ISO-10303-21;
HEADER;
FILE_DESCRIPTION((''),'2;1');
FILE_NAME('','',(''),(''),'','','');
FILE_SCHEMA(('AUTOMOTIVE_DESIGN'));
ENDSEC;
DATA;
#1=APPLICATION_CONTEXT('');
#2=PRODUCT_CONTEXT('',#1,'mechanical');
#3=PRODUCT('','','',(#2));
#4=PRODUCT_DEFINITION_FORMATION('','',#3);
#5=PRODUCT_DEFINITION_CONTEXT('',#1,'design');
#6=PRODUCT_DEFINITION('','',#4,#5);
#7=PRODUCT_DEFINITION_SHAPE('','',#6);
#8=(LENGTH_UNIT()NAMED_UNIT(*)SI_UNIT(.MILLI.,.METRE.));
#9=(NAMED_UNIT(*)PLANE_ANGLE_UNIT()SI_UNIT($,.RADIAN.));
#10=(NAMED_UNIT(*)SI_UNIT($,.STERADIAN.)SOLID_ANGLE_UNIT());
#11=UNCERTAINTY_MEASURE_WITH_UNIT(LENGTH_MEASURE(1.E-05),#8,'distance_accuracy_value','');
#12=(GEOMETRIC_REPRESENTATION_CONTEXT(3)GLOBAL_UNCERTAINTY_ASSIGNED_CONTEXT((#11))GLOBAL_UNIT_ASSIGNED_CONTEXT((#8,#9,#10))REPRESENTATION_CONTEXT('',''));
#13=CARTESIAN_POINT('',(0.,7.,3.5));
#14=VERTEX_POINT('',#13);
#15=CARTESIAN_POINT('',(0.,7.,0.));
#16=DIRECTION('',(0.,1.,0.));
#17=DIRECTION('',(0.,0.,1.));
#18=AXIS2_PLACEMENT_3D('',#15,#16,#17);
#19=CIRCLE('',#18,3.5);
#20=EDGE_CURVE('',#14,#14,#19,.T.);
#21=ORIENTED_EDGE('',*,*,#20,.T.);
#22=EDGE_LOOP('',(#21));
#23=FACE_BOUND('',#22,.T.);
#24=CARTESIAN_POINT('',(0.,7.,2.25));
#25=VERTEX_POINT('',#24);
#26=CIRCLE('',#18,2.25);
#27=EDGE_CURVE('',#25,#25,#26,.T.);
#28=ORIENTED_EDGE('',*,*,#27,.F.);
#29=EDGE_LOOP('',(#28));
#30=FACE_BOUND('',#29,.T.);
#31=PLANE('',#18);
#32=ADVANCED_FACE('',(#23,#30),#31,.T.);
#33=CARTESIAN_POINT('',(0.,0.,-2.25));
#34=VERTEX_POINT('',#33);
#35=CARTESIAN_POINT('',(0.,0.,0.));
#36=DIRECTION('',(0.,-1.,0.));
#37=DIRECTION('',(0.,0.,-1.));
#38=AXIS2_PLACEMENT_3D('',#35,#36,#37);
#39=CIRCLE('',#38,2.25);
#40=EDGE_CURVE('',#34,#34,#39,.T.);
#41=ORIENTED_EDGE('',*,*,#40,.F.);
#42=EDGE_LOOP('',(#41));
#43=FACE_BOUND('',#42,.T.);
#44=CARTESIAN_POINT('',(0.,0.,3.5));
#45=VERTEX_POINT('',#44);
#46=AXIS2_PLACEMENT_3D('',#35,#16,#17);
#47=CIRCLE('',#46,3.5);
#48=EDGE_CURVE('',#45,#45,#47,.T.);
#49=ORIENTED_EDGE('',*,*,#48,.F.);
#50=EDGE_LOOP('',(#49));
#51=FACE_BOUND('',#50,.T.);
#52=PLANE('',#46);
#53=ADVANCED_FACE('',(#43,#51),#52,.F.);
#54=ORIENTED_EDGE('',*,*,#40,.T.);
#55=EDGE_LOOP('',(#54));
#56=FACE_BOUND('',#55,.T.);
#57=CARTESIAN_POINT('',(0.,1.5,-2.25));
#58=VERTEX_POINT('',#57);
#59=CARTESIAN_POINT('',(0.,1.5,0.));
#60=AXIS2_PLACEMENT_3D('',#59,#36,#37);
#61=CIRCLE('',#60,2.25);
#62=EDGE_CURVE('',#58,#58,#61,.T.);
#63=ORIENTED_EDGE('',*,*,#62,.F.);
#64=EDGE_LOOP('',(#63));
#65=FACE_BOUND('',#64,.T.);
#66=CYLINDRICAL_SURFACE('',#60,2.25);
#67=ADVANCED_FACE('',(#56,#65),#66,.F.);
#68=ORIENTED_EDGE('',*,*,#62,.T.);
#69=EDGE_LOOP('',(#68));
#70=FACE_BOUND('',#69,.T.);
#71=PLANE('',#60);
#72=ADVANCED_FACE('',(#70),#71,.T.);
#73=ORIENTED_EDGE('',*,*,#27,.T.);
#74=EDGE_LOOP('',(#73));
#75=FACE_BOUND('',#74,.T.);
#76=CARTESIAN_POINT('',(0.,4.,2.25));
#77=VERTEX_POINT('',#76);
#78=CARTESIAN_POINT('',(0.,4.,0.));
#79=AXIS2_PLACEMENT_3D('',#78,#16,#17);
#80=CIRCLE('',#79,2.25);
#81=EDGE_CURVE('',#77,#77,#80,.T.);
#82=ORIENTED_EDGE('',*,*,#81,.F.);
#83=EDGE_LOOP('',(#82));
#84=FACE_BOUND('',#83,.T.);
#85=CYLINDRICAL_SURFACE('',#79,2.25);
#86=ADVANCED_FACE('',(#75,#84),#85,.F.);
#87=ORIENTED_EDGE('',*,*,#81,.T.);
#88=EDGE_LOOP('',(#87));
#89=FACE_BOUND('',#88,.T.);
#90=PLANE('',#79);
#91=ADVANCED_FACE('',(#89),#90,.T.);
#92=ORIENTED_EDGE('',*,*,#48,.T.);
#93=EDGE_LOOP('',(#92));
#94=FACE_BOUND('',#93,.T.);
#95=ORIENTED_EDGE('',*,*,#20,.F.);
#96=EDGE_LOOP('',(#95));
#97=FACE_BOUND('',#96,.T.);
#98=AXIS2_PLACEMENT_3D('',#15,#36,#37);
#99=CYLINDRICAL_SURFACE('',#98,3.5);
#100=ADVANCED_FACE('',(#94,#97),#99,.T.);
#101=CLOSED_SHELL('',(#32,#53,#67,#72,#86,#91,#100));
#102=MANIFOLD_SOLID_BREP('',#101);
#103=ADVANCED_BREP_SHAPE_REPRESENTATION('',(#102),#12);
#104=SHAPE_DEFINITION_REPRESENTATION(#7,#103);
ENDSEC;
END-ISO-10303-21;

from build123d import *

# Parameters (mm, degrees)
CROQUIS1_R              = 3.5
SALIENTE_EXTRUIR1_DEPTH = 7
CROQUIS2_R              = 2.25
CORTAR_EXTRUIR1_DEPTH   = 3
CORTAR_EXTRUIR2_START   = -1.5
CROQUIS3_R              = 2.25
CORTAR_EXTRUIR2_DEPTH   = 1.5


with BuildPart() as part:
    # Croquis1 → Saliente-Extruir1 (new body)
    with BuildSketch(Plane(origin=(0, 0, 0), x_dir=(1, 0, 0), z_dir=(0, 1, 0))):
        with Locations(Location((0, 0, 0), (0, 0, 270))):
            Circle(CROQUIS1_R)
    extrude(amount=SALIENTE_EXTRUIR1_DEPTH)

    # Croquis2 → Cortar-Extruir1 (cut)
    with BuildSketch(Plane(origin=(0, 7, 0), x_dir=(1, 0, 0), z_dir=(0, 1, 0))):
        with Locations(Location((0, 0, 0), (0, 0, 270))):
            Circle(CROQUIS2_R)
    extrude(amount=-CORTAR_EXTRUIR1_DEPTH, mode=Mode.SUBTRACT)

    # Croquis3 → Cortar-Extruir2 (cut)
    with BuildSketch(Plane.XZ.offset(CORTAR_EXTRUIR2_START)):
        with Locations(Location((0, 0, 0), (0, 0, 90))):
            Circle(CROQUIS3_R)
    extrude(amount=CORTAR_EXTRUIR2_DEPTH, mode=Mode.SUBTRACT)


solid = part.part
